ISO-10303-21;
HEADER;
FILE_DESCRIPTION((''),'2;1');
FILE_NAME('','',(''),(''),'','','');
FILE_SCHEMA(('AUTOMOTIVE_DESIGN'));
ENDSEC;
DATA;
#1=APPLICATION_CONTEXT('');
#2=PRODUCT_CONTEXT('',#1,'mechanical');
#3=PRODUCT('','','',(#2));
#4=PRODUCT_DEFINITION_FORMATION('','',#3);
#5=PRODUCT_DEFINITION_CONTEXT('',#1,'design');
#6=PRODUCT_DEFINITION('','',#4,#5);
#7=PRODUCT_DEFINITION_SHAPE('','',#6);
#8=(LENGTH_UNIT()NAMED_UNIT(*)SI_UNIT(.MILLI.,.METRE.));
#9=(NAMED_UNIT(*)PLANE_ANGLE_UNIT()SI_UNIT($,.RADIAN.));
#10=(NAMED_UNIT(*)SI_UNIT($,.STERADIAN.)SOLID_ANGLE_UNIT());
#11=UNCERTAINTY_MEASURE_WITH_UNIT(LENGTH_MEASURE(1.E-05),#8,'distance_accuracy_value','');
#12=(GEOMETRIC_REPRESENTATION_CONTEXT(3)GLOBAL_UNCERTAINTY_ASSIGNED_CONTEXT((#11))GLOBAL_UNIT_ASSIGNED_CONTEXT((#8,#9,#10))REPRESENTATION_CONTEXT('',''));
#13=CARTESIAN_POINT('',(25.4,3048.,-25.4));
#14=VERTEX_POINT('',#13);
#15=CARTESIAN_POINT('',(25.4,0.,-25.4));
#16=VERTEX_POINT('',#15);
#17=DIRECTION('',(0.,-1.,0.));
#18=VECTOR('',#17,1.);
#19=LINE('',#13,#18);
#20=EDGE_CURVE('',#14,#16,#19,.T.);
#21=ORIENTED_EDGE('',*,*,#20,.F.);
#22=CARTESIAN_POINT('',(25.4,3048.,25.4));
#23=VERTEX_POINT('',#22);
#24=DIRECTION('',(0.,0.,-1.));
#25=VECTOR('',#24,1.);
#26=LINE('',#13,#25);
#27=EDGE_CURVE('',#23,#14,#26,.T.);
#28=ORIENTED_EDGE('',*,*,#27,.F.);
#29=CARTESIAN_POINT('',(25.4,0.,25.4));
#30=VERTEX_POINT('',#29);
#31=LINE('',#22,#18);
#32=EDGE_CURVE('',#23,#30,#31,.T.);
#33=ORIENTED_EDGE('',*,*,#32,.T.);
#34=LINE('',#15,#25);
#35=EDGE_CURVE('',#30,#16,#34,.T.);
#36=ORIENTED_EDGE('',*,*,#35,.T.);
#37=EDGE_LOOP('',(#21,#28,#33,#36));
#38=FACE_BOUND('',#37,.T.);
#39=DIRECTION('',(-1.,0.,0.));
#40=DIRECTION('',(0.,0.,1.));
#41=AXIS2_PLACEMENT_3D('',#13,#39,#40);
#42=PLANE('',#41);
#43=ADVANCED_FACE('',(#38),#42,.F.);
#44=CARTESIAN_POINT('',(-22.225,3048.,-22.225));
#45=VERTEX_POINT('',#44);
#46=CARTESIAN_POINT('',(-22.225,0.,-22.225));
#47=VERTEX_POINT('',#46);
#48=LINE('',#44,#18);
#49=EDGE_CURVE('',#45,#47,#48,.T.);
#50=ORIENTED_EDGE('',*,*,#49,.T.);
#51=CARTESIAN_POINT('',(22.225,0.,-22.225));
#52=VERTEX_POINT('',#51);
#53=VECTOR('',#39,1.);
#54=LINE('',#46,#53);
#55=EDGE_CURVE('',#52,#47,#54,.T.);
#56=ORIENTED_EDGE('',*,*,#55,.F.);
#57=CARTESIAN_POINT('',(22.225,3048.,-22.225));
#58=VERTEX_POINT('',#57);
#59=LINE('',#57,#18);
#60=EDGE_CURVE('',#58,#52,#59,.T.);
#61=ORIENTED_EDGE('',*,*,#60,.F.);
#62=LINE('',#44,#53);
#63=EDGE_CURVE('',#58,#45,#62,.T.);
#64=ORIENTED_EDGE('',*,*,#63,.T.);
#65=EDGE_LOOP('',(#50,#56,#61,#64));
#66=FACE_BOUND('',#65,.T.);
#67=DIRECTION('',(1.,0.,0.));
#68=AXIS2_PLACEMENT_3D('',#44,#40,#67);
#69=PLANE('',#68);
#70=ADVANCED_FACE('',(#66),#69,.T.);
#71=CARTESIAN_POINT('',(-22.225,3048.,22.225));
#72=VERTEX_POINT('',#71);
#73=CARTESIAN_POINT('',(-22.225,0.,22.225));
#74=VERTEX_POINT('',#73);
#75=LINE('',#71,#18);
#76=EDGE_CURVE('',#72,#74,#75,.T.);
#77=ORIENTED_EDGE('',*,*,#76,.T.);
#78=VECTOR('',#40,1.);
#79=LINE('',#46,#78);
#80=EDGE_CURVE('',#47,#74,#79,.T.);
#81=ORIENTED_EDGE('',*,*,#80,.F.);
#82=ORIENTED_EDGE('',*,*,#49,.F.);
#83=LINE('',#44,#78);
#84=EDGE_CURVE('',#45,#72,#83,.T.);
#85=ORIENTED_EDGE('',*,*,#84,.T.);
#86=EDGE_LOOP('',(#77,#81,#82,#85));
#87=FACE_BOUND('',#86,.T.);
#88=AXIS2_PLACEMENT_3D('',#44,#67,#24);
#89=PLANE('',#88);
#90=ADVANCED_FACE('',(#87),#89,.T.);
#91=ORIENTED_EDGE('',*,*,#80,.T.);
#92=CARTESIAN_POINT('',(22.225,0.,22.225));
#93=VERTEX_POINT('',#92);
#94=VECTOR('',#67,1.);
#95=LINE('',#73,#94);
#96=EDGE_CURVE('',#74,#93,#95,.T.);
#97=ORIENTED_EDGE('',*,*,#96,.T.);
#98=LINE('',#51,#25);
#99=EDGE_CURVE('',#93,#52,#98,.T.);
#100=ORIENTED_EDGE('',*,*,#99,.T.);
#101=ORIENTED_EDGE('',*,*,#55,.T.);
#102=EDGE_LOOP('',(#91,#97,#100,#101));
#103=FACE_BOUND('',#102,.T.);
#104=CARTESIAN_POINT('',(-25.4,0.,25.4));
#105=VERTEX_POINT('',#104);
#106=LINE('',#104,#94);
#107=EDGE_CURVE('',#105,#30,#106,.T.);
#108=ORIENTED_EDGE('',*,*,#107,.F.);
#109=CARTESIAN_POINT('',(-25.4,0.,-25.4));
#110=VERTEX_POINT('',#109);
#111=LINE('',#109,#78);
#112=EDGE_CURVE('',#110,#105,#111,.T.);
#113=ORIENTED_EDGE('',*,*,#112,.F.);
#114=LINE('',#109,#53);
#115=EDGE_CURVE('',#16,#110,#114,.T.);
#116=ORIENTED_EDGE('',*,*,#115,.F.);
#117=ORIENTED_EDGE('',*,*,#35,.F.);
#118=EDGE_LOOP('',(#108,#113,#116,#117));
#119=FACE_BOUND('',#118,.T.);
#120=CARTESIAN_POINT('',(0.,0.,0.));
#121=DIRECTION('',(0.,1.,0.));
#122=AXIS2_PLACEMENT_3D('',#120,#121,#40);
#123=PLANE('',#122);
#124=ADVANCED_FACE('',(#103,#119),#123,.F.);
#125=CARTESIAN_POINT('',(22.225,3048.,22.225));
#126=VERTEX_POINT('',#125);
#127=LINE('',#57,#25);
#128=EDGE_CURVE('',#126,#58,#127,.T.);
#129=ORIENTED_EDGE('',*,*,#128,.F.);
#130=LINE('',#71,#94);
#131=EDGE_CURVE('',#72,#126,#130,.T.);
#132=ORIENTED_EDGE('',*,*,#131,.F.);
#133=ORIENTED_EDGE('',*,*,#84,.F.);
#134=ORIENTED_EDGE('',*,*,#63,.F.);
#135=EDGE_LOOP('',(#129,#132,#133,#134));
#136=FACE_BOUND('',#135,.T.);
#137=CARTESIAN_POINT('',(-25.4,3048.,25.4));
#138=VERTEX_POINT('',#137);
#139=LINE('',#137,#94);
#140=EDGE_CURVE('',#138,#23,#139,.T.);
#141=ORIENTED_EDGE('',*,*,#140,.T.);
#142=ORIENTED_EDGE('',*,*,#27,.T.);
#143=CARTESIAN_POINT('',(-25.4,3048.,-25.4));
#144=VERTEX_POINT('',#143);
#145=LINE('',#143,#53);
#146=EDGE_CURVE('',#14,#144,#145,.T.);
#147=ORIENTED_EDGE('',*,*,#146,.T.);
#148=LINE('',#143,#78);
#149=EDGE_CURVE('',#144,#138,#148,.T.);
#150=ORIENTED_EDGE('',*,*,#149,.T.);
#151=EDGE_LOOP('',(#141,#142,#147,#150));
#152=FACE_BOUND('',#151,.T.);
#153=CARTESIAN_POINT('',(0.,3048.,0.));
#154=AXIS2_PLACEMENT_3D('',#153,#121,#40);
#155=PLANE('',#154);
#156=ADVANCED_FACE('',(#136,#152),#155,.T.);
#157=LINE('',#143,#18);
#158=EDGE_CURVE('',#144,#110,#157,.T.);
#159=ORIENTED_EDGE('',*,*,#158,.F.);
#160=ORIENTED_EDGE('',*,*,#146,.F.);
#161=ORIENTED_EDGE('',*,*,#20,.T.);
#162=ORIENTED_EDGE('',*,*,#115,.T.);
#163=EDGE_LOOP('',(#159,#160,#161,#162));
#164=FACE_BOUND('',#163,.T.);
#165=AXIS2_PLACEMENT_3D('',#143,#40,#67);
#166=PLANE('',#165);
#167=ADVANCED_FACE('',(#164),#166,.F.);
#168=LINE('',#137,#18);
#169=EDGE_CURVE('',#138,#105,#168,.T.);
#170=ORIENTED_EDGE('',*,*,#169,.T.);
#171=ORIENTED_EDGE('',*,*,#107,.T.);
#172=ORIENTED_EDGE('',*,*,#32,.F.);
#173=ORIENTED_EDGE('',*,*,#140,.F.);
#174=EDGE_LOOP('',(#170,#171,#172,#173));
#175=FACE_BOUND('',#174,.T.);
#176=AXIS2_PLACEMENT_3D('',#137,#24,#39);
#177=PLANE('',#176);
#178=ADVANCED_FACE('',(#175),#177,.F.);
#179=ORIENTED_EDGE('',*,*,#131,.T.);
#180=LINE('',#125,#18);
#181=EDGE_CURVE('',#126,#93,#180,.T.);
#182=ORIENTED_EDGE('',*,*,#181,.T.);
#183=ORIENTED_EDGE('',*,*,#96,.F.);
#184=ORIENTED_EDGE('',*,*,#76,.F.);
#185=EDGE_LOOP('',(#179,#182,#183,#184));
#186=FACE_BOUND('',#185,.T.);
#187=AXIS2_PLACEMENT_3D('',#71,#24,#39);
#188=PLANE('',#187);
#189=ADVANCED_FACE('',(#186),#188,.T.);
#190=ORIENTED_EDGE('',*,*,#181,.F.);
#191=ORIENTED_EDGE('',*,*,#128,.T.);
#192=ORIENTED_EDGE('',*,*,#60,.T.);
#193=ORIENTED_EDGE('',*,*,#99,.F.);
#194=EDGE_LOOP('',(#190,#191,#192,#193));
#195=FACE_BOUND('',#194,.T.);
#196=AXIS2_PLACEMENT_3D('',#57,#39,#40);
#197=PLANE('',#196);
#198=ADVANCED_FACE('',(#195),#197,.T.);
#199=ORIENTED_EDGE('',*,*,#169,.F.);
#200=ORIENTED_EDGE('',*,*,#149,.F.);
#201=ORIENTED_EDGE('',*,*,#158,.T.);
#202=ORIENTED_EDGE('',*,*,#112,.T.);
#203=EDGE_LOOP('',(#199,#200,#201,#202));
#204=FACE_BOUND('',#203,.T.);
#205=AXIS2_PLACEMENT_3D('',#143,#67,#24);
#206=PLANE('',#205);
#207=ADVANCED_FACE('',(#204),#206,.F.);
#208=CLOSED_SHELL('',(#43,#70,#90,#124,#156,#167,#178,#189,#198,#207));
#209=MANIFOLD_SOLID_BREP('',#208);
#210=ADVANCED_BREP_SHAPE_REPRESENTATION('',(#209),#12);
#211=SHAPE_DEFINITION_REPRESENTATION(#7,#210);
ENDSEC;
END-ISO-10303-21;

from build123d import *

# Parameters (mm, degrees)
SKETCH1_W           = 50.8
SKETCH1_H           = 50.8
SKETCH1_W_2         = 44.45
SKETCH1_H_2         = 44.45
BOSS_EXTRUDE1_DEPTH = 3048


with BuildPart() as part:
    # Sketch1 → Boss-Extrude1 (new body)
    with BuildSketch(Plane(origin=(0, 0, 0), x_dir=(1, 0, 0), z_dir=(0, 1, 0))):
        Rectangle(SKETCH1_W, SKETCH1_H)
        Rectangle(SKETCH1_W_2, SKETCH1_H_2, mode=Mode.SUBTRACT)
    extrude(amount=BOSS_EXTRUDE1_DEPTH)


solid = part.part
